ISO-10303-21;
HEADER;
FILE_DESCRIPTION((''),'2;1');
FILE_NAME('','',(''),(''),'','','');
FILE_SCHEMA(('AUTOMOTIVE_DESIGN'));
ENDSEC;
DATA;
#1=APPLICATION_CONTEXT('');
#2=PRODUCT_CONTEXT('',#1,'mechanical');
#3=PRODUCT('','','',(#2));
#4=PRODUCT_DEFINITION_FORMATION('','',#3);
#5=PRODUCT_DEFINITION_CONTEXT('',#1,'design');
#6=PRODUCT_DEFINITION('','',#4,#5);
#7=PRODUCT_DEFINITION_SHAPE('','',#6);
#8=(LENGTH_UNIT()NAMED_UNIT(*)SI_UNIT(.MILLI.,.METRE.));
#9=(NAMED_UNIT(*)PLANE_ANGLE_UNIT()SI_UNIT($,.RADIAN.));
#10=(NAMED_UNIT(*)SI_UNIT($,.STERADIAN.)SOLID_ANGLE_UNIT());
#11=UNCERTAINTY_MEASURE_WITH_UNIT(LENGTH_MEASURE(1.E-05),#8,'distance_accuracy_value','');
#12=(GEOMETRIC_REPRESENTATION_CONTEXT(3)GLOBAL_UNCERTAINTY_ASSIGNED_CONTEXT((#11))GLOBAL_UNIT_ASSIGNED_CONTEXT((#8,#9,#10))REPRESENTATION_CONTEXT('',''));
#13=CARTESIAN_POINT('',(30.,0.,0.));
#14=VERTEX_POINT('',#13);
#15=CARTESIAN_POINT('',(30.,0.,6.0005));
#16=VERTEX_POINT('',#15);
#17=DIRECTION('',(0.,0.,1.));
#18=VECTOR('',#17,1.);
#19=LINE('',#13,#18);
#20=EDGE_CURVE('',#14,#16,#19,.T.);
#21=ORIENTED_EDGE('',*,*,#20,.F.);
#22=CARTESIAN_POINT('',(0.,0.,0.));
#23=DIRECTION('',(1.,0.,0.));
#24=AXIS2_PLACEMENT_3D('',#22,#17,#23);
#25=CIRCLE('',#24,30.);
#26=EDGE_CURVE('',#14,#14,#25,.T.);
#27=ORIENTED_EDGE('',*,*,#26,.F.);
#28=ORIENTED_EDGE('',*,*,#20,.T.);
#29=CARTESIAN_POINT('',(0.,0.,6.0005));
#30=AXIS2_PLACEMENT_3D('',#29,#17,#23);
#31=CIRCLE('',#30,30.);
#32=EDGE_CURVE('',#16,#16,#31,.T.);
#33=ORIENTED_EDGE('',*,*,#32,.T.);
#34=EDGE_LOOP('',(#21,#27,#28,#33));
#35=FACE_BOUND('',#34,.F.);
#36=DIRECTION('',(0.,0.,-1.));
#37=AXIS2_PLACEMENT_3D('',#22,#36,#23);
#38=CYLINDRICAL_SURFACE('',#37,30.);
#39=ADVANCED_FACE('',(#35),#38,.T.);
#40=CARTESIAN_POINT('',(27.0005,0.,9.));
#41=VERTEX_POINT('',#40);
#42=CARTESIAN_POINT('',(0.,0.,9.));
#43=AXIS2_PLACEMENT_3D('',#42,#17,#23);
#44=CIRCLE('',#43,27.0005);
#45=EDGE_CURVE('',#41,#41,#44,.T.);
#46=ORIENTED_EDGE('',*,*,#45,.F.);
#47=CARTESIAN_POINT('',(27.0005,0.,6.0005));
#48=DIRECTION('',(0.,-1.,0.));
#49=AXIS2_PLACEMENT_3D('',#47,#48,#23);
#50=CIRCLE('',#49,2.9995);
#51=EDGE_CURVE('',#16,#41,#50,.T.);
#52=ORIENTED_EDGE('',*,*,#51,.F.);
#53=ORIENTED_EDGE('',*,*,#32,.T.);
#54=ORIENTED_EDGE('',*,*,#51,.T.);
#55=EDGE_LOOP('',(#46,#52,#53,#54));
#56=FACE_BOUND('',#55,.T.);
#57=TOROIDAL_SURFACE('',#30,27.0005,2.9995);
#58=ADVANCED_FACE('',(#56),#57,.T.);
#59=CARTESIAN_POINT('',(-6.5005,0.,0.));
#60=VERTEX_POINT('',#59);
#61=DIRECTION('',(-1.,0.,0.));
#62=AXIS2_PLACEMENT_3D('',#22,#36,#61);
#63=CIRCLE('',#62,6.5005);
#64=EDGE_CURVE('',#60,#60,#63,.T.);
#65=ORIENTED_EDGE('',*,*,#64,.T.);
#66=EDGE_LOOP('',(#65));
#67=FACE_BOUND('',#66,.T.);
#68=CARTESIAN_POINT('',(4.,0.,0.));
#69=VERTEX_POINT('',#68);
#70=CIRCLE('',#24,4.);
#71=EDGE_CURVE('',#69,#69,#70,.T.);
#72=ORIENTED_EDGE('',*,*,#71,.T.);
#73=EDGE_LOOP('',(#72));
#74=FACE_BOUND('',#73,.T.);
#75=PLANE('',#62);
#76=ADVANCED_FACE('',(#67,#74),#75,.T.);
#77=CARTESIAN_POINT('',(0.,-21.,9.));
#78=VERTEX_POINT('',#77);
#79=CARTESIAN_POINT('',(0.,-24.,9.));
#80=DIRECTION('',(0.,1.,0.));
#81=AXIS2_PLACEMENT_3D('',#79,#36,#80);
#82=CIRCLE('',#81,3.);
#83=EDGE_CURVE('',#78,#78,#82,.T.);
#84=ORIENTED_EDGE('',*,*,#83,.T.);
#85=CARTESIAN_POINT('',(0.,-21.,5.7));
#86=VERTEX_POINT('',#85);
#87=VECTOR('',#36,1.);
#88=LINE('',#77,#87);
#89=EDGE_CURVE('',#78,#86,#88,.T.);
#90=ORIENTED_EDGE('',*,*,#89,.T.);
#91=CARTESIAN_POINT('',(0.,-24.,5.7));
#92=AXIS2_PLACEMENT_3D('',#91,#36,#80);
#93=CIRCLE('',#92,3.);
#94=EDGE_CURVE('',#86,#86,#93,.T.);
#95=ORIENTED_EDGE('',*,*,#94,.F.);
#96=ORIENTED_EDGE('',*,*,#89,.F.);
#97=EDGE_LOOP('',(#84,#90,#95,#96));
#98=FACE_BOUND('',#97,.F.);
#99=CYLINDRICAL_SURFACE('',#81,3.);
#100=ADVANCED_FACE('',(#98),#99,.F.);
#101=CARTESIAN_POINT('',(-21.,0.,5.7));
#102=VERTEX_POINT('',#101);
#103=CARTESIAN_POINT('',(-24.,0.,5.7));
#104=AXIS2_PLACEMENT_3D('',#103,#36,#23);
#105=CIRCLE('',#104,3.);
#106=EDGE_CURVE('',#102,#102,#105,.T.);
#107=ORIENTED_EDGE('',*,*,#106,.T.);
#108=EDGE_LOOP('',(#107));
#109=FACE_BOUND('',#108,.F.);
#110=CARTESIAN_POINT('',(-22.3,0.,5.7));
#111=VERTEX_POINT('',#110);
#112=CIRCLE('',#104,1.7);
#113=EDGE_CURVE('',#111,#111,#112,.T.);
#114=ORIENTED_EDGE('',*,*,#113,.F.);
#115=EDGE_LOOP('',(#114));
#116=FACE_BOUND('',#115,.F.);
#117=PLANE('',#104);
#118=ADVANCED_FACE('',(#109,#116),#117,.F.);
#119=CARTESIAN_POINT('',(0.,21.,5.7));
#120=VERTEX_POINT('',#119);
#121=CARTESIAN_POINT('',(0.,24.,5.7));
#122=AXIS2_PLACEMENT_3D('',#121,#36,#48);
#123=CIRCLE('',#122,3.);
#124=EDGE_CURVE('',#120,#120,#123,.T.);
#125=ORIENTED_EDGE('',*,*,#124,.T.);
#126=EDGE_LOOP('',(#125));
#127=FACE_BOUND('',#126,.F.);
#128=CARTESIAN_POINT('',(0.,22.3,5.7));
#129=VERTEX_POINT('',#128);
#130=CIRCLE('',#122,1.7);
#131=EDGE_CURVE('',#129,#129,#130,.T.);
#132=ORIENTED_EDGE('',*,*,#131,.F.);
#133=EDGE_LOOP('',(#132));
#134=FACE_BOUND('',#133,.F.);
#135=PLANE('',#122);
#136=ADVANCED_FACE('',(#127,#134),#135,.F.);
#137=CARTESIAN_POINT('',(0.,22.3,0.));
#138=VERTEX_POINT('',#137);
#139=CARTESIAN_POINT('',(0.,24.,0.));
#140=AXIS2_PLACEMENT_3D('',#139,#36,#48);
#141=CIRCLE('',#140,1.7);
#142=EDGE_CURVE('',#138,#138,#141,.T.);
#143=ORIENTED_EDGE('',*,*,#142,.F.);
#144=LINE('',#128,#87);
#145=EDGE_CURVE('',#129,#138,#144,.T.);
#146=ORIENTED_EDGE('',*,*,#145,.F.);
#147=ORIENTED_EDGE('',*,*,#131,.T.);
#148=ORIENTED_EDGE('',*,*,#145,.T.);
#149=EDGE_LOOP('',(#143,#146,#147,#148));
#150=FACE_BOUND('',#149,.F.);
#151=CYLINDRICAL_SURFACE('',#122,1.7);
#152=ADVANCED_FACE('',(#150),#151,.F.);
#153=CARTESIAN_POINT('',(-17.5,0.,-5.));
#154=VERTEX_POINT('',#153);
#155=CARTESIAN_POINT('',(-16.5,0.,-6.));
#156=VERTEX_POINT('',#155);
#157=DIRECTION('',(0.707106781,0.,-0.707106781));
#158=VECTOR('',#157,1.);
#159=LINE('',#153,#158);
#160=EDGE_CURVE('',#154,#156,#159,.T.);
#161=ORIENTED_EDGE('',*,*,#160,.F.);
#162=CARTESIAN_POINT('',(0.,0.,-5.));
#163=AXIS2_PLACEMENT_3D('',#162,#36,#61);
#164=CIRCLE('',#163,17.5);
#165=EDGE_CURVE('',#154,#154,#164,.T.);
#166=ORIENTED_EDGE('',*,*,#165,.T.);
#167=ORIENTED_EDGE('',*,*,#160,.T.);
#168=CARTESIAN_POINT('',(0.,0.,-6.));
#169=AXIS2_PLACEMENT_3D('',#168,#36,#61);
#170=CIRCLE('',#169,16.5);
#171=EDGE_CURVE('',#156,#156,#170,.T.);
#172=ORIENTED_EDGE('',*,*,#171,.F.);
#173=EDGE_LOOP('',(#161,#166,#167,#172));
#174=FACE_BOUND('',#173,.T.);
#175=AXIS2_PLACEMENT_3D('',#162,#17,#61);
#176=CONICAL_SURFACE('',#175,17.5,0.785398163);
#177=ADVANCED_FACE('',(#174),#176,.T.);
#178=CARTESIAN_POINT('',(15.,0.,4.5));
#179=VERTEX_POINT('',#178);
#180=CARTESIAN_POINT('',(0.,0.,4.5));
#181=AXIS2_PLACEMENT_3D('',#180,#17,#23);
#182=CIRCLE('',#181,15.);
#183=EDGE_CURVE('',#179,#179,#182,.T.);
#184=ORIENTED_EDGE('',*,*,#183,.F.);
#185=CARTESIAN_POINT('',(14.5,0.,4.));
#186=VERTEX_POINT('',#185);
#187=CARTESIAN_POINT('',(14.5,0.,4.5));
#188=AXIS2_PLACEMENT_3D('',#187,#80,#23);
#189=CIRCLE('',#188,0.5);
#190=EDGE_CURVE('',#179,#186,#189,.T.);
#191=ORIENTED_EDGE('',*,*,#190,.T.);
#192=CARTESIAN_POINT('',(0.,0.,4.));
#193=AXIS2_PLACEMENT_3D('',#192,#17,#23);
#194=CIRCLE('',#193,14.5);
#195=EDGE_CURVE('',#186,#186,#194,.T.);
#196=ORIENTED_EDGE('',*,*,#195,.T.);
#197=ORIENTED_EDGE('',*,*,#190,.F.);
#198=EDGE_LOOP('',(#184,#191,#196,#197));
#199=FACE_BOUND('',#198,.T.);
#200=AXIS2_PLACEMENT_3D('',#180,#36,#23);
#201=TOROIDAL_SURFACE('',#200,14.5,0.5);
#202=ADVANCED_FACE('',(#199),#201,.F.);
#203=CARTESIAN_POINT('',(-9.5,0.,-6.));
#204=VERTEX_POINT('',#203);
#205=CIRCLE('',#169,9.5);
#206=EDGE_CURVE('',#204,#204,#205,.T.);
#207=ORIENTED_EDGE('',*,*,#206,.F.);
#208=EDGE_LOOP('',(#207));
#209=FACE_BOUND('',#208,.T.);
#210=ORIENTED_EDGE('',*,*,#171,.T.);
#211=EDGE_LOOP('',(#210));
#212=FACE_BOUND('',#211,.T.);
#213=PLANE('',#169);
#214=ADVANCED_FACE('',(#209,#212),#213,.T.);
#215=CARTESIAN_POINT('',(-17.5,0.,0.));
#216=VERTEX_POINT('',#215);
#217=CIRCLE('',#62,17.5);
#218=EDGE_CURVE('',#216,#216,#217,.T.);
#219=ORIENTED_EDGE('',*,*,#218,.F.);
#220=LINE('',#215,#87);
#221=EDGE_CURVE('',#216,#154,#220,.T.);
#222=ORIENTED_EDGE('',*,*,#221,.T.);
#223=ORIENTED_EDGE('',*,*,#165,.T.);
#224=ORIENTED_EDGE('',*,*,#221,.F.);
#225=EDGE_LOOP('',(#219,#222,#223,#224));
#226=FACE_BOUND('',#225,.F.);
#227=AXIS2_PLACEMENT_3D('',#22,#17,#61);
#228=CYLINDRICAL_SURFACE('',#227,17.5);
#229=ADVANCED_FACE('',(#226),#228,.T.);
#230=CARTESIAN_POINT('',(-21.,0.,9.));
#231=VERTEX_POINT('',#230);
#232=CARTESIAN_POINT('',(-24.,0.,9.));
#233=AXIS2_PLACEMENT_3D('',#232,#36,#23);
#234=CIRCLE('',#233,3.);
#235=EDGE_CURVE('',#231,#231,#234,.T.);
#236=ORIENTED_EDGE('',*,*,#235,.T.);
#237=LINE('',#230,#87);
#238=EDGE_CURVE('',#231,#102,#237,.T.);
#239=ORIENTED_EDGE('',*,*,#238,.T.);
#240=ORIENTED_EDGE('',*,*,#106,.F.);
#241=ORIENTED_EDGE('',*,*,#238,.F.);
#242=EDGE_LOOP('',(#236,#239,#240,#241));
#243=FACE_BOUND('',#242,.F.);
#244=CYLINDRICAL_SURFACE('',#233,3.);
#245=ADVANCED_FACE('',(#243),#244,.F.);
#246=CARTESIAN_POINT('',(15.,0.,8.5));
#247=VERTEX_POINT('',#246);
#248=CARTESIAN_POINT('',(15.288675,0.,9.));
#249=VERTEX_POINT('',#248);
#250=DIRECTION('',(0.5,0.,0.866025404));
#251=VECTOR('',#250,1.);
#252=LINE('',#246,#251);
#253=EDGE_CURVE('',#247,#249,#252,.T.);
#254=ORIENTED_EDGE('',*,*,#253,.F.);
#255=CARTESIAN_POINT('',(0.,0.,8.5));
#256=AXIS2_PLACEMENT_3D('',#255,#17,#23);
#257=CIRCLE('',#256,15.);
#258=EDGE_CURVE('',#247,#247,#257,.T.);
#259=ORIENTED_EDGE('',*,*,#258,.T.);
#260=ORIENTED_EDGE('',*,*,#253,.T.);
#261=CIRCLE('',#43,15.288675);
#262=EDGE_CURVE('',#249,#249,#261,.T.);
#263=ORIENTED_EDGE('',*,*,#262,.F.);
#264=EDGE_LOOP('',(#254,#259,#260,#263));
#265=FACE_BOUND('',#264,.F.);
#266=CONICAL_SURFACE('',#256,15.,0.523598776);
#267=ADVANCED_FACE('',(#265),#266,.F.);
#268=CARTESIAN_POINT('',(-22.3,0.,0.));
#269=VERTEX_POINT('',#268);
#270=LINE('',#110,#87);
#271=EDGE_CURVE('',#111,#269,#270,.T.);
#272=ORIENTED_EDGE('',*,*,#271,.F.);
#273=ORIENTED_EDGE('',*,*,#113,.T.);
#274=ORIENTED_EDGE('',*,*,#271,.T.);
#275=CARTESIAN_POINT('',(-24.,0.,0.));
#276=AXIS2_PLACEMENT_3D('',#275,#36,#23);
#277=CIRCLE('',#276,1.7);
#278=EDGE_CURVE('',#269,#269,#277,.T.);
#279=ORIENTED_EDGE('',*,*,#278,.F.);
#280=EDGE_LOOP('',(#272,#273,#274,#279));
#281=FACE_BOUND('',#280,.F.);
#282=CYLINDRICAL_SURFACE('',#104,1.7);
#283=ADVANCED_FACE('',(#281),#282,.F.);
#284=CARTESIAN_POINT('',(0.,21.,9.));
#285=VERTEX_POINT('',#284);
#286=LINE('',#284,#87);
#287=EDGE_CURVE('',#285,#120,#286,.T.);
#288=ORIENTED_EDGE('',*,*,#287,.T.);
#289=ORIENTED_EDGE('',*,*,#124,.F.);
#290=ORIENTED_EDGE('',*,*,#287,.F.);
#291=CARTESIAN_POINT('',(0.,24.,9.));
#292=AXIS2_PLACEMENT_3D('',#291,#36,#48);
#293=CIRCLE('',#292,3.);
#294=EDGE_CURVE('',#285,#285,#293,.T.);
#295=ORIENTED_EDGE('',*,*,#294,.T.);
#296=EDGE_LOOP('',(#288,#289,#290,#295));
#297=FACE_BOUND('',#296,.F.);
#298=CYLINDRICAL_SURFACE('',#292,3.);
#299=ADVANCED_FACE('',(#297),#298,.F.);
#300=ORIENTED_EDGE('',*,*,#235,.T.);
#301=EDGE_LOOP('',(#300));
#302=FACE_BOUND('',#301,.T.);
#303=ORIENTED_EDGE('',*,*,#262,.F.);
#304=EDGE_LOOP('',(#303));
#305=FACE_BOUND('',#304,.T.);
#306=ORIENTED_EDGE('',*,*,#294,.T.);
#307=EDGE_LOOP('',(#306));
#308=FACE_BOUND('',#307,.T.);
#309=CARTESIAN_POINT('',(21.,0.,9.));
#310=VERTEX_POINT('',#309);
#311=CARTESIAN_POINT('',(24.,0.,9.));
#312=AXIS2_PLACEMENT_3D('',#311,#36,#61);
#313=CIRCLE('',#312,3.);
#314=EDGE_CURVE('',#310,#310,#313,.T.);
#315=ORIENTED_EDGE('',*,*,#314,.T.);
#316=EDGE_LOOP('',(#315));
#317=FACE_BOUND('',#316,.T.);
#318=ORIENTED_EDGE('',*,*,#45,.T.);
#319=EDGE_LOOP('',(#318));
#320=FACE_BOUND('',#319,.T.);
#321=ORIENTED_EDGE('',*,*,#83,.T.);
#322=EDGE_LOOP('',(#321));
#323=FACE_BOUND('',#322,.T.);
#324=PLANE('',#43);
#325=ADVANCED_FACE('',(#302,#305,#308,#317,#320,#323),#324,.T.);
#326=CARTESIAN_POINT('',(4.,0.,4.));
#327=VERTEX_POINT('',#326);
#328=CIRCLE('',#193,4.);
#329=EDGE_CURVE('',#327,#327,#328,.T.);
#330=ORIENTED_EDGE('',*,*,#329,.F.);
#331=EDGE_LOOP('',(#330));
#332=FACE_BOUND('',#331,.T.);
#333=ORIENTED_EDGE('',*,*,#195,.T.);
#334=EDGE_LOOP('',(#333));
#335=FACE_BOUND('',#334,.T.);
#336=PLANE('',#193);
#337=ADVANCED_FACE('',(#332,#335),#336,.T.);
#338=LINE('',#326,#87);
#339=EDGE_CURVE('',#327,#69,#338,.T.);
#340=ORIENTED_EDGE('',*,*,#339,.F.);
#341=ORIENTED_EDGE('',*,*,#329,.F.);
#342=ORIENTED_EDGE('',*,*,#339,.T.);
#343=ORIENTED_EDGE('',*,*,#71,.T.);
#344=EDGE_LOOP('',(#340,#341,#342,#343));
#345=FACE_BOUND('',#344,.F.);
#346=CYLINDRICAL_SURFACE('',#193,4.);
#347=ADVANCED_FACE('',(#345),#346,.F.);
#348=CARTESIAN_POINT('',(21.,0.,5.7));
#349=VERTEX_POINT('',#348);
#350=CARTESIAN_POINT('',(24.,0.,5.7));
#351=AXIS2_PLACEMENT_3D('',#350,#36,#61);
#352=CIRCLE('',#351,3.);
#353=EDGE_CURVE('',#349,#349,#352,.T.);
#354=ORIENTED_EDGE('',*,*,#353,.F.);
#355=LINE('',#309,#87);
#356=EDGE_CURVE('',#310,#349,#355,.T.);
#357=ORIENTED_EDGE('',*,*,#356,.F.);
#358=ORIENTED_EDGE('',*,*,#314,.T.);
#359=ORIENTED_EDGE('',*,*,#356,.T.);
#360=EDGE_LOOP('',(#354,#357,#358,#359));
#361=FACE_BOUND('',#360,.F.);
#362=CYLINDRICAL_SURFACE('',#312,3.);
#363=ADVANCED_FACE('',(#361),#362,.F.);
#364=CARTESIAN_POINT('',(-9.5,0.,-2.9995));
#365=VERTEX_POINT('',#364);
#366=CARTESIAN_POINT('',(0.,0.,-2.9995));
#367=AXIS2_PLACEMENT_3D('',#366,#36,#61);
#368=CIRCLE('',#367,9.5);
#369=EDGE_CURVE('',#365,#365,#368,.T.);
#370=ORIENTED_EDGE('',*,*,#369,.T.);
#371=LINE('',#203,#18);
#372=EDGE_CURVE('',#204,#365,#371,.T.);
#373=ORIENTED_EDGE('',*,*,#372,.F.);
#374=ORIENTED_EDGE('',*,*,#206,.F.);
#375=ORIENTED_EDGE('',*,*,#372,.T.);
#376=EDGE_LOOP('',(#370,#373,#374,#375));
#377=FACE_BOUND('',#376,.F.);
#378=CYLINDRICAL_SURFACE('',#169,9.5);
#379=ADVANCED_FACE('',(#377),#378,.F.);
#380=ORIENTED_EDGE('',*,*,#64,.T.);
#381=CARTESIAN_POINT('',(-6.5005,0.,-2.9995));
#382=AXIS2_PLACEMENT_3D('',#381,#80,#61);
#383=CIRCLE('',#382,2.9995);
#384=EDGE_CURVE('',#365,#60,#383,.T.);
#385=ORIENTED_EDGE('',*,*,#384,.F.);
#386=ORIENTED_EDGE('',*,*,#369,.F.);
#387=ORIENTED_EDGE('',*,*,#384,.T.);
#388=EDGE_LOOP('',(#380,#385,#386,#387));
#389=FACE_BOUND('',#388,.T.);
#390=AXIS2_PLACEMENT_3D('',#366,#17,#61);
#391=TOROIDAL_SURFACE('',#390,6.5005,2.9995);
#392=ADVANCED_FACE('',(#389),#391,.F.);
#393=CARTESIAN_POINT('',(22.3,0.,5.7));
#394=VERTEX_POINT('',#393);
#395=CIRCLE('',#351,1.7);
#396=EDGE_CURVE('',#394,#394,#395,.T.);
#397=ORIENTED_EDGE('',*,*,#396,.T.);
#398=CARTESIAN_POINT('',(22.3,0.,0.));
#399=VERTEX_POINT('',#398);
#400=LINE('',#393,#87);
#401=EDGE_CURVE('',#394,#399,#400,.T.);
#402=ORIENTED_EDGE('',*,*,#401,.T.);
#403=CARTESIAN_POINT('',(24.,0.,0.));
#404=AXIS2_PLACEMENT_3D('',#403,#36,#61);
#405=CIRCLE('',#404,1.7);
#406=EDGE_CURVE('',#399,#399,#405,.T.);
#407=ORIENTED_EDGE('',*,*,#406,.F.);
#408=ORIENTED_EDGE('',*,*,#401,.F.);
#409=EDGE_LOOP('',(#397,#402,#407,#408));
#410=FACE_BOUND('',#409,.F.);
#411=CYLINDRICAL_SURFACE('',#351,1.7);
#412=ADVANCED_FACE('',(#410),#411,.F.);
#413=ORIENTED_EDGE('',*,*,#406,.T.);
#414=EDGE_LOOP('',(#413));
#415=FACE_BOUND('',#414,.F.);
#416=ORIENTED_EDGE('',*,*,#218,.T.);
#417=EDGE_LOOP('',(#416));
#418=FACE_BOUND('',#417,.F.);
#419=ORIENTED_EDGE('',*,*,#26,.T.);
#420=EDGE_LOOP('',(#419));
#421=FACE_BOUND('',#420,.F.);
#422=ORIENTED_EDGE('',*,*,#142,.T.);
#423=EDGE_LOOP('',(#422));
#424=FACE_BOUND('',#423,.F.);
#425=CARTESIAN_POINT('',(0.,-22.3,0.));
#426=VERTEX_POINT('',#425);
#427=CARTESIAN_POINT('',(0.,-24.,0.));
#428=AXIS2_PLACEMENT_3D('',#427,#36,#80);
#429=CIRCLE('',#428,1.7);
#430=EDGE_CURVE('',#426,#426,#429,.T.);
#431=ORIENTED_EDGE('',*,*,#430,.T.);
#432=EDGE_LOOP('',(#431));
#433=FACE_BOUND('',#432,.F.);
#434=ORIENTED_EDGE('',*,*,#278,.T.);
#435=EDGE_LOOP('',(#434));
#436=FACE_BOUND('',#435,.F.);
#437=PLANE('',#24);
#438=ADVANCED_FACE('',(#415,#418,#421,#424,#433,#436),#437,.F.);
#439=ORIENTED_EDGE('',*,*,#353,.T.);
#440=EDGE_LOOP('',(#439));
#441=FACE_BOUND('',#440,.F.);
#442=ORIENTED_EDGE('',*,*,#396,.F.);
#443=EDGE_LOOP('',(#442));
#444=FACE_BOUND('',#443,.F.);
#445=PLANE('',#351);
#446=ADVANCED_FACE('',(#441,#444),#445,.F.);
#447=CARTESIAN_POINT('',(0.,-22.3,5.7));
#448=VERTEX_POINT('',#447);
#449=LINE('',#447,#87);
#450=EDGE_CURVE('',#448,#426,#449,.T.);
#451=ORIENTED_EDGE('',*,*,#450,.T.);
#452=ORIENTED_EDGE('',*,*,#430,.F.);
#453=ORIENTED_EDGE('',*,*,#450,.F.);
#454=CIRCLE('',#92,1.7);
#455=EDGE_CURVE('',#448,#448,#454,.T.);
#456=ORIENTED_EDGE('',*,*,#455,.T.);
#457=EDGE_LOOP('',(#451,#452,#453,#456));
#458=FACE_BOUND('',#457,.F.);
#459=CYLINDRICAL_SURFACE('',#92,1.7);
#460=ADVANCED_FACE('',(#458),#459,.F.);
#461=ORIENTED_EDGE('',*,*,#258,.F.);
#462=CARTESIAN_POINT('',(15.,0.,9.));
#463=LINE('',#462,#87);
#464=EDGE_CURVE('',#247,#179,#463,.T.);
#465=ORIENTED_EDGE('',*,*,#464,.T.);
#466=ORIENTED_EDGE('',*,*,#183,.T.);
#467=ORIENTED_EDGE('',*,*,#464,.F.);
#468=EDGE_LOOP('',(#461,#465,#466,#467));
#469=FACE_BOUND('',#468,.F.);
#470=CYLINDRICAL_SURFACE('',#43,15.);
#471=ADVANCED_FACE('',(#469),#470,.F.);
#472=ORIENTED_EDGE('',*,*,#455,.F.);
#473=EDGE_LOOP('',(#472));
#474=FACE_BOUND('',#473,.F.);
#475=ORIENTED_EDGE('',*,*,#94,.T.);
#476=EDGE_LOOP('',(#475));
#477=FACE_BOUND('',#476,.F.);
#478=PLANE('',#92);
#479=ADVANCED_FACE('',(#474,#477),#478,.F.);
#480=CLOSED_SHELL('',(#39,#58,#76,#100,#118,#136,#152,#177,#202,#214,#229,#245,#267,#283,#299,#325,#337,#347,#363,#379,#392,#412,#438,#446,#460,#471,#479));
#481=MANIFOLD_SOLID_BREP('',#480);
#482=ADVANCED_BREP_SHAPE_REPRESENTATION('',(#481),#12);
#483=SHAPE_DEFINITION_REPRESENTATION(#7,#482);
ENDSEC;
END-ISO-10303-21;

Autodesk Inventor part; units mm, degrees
ref_plane "YZ Plane" through (0, 0, 0) normal (1, 0, 0) x (0, 1, 0)
ref_plane "XZ Plane" through (0, 0, 0) normal (0, 1, 0) x (-1, 0, 0)
ref_plane "XY Plane" through (0, 0, 0) normal (0, 0, 1) x (1, 0, 0)
sketch "스케치4" plane through (0, 0, 0) normal (0, 0, 1) x (1, 0, 0)
  circle A0 centre (0, 0) radius 30
  dimension "d28" = 60
extrude "돌출4" add sketch "스케치4" along normal blind 9
sketch "스케치6" plane through (0, 0, 0) normal (0, 0, -1) x (-1, 0, 0)
  circle A0 centre (0, 0) radius 17.5
  dimension "d34" = 35
extrude "돌출6" add sketch "스케치6" along normal blind 6
sketch "스케치9" plane through (0, 0, -6) normal (0, 0, -1) x (-1, 0, 0)
  circle A0 centre (0, 0) radius 9.5
  dimension "d44" = 19
extrude "돌출9" cut sketch "스케치9" against normal blind 6
sketch "스케치12" plane through (0, 0, 9) normal (0, 0, 1) x (1, 0, 0)
  circle A0 centre (0, 24) radius 3
  point P0 (0, 0)
  dimension "d61" = 6
  dimension "d62" = 24
hole "구멍1" at (0, 24, 9) direction (0, 0, -1) diameter 3.4 end through all counterbore diameter 6 counterbore depth 3.3
sketch "스케치13" plane through (0, 0, 9) normal (0, 0, 1) x (1, 0, 0)
  circle A0 centre (0, 0) radius 15
  dimension "d74" = 30
extrude "돌출11" cut sketch "스케치13" against normal blind 5
sketch "스케치14" plane through (0, 0, 4) normal (0, 0, 1) x (1, 0, 0)
  circle A0 centre (0, 0) radius 4
  dimension "d77" = 8
extrude "돌출12" cut sketch "스케치14" against normal up to next
pattern_circular "원형 패턴3" count 4 over 360 about axis through (0, 0, 4) along (0, 0, -1) of "구멍1"
fillet "모깎기3" radius 3 2 edges at (-30, 0, 9) (9.5, 0, 0)
chamfer "모따기5" distance 1 angle 45 1 edges at (17.5, 0, -6)
fillet "모깎기4" radius 0.5 1 edges at (-15, 0, 4)
chamfer "모따기6" distance 0.5 angle 30 1 edges at (-15, 0, 9) measured on face at (14.9514, -1.207, 6)
properties part number "도면2-3번"
